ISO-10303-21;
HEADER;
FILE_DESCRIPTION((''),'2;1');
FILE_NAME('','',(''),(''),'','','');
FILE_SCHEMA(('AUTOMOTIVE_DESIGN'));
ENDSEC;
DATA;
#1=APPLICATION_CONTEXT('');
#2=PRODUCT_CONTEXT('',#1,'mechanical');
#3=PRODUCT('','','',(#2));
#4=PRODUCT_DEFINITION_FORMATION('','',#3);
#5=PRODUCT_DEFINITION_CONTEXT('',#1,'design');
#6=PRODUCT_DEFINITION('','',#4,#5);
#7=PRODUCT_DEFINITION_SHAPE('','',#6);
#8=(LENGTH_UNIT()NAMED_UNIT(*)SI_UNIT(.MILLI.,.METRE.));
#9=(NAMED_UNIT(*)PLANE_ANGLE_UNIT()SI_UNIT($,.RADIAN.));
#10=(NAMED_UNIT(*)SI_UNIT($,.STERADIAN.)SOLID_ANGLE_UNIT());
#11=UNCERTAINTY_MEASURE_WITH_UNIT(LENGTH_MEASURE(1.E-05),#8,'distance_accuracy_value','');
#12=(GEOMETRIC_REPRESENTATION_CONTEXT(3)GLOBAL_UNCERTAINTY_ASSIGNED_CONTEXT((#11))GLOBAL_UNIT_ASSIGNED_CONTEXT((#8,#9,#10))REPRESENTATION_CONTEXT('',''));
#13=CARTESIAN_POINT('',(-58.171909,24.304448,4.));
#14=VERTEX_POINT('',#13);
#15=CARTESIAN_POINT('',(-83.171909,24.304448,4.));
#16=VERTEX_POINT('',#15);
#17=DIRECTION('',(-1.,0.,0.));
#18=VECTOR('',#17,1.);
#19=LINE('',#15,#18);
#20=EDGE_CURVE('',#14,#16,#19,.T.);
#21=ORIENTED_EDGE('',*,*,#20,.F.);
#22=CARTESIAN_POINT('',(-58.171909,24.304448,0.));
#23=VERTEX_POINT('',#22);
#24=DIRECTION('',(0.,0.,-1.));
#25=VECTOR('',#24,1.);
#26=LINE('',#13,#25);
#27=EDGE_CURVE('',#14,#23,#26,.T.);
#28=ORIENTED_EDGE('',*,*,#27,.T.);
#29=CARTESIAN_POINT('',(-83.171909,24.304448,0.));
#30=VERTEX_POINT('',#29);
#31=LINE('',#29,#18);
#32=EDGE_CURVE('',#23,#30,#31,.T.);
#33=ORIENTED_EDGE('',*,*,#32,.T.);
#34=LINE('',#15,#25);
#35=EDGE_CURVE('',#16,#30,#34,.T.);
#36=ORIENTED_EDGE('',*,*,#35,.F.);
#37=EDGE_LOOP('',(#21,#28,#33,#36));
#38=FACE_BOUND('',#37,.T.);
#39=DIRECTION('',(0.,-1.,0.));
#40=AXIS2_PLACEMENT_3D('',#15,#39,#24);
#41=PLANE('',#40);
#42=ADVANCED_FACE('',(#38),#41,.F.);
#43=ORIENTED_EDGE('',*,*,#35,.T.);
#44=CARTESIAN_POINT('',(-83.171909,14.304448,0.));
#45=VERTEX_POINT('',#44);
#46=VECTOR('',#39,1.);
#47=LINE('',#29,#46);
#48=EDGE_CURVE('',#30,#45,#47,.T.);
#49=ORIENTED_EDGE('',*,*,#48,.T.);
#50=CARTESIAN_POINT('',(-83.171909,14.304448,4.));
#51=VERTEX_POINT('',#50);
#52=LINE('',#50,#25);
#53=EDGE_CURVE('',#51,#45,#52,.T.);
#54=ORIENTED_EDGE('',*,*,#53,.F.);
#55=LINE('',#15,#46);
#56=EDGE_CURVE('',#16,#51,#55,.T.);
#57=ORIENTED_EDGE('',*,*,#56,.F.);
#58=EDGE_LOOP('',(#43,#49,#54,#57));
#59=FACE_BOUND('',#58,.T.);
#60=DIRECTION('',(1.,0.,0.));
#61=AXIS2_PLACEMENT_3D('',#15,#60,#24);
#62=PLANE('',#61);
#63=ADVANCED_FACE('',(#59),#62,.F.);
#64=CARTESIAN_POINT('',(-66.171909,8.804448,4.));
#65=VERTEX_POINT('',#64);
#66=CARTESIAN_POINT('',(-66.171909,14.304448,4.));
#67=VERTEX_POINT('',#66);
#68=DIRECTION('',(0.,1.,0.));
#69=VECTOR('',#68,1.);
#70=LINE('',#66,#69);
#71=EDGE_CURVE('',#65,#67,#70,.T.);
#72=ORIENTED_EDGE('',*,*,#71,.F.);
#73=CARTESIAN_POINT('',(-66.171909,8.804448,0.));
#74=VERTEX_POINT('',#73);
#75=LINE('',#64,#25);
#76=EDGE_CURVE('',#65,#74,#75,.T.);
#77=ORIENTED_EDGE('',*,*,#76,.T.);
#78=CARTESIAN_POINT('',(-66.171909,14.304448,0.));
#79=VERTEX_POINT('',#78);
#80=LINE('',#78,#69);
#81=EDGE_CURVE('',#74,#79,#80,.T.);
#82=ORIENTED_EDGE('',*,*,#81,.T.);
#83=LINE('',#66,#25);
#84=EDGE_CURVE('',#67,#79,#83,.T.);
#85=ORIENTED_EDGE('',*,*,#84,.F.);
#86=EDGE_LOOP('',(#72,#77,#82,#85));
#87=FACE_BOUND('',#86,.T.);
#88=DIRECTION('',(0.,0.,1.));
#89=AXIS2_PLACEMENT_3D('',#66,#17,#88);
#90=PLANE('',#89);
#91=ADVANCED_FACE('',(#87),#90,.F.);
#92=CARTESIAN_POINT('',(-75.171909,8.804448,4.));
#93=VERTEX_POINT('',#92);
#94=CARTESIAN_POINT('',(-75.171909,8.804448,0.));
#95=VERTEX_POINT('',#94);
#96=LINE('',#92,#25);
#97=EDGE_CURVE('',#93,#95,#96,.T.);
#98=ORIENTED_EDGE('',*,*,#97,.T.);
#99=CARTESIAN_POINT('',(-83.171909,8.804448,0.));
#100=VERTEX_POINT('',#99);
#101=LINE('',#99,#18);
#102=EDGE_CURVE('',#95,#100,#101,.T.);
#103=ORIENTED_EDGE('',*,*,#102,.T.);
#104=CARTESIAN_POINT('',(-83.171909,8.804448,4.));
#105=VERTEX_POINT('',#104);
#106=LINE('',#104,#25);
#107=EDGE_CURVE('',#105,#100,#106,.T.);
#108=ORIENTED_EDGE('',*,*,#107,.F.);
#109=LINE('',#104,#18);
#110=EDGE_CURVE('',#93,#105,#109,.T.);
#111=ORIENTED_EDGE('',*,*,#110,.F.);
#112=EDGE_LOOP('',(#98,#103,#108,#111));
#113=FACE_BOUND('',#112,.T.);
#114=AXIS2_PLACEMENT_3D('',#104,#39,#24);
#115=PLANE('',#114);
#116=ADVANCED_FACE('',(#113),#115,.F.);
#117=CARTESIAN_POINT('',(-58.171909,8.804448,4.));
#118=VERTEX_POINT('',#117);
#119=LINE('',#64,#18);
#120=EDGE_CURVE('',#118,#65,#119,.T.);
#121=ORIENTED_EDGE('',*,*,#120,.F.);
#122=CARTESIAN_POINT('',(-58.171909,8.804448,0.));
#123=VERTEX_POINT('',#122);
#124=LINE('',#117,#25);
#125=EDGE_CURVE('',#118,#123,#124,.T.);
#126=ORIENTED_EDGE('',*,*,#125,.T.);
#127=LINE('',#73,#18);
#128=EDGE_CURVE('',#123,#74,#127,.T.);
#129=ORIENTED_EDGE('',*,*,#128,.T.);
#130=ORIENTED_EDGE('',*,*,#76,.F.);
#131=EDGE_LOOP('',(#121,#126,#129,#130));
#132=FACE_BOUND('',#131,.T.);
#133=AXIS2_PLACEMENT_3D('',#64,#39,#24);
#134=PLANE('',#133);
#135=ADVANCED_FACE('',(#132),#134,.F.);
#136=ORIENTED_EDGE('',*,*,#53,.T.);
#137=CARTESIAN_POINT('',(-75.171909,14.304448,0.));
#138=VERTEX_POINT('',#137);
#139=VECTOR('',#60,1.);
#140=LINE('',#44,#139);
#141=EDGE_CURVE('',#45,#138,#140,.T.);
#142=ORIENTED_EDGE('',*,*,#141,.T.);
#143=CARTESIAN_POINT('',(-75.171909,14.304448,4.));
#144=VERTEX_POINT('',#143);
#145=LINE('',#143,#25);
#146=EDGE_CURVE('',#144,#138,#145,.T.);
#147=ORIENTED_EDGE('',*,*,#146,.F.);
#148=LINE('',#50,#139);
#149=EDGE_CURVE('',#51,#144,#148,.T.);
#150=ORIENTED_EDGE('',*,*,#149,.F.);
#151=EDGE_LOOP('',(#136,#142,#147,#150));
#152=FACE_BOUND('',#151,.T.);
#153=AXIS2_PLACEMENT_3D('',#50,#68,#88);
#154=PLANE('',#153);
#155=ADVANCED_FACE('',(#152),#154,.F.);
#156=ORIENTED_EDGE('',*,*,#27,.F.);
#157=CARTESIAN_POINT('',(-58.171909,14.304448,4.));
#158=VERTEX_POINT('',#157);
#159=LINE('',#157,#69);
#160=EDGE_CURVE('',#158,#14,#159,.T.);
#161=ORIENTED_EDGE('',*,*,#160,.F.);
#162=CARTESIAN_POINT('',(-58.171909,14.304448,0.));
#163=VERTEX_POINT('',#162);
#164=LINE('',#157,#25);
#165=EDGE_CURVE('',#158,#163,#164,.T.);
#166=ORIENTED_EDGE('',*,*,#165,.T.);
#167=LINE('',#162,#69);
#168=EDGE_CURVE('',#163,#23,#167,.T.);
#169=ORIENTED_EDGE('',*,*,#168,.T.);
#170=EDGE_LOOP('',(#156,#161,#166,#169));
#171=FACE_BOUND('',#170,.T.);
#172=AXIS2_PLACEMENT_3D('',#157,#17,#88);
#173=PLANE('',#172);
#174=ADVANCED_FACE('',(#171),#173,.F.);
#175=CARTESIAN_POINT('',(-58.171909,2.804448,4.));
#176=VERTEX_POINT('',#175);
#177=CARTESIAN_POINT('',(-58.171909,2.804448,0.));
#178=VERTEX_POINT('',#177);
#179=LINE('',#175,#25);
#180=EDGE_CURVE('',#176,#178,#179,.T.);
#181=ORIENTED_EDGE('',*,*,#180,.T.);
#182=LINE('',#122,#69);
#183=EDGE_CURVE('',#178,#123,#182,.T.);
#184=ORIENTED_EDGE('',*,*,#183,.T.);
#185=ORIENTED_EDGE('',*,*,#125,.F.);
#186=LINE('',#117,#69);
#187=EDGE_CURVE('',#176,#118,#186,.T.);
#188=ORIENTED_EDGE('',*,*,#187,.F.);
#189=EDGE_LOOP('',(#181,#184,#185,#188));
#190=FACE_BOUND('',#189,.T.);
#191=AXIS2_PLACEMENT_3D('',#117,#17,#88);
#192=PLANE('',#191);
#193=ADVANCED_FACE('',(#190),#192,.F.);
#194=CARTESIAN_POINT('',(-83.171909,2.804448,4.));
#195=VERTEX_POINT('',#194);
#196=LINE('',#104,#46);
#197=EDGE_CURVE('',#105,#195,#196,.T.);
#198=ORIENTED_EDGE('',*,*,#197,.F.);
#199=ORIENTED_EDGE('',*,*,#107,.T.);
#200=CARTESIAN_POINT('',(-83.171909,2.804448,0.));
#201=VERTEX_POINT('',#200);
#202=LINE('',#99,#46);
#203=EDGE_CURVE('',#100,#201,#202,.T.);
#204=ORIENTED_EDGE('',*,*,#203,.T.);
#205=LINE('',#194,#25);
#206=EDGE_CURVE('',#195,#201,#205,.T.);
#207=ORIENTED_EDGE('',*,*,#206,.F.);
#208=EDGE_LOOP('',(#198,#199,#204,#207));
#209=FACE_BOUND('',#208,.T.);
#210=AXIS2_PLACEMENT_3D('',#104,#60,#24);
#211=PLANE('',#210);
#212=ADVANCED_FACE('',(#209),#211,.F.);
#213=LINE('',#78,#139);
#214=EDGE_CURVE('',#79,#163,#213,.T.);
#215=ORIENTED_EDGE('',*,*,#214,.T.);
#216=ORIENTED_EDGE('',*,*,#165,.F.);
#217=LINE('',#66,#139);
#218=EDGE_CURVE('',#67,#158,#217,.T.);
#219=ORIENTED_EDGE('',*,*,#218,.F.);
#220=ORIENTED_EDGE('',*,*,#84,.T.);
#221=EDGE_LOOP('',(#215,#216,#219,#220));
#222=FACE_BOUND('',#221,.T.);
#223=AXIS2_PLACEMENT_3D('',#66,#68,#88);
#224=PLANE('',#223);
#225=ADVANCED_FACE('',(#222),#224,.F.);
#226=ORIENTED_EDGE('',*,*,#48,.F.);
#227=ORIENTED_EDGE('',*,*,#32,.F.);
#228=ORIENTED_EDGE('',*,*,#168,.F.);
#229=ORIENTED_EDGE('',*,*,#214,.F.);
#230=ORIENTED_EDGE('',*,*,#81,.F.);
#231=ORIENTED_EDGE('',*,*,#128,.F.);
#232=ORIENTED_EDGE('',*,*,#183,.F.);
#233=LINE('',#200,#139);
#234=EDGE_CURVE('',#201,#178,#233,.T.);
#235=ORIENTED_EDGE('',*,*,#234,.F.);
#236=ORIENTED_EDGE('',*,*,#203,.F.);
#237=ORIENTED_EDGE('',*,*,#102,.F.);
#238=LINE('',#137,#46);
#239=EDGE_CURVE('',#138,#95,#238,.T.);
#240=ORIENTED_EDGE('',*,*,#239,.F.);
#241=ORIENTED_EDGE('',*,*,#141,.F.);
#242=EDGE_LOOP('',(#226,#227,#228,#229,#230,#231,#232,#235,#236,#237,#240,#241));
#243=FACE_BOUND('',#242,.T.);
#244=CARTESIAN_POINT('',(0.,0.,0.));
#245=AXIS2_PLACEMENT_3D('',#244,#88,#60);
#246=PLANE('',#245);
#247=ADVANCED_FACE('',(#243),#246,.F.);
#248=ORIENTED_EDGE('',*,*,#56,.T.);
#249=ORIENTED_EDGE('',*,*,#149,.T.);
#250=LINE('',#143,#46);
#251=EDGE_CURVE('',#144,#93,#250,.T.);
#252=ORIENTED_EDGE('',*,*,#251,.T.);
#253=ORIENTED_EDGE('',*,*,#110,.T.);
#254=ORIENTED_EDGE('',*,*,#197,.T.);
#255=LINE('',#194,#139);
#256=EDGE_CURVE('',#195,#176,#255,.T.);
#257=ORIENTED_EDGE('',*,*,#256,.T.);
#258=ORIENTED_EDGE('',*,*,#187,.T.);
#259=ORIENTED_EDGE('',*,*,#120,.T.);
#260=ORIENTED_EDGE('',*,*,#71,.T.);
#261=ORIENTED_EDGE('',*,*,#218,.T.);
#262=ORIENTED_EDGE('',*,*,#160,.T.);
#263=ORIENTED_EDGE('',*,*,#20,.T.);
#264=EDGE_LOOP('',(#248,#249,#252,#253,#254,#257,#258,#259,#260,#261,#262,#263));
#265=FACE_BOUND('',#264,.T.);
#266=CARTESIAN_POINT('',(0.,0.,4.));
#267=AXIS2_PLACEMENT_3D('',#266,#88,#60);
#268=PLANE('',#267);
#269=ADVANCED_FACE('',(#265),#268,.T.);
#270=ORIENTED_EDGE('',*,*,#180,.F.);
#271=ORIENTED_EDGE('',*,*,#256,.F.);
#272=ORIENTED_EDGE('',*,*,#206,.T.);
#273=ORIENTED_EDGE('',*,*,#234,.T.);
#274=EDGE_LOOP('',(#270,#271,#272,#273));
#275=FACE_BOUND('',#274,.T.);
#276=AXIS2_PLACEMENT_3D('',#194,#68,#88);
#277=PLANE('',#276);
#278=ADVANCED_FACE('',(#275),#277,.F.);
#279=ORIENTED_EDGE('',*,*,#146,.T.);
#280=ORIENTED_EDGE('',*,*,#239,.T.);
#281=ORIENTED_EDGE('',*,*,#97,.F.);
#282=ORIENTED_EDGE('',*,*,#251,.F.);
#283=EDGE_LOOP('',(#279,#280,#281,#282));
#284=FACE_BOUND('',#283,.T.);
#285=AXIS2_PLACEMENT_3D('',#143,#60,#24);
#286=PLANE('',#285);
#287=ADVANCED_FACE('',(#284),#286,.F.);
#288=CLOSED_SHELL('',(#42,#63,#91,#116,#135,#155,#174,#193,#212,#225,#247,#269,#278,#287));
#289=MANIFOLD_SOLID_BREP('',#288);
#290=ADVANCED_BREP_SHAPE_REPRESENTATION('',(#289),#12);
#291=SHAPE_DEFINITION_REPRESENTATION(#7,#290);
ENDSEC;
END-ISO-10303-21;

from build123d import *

# Parameters (mm, degrees)
BOSS_EXTRUDE1_DEPTH = 4


with BuildPart() as part:
    # Sketch1 → Boss-Extrude1 (new body)
    with BuildSketch(Plane.XY):
        Polygon((-83.171908981, 24.304447885), (-58.171908981, 24.304447885), (-58.171908981, 14.304447885), (-66.171908981, 14.304447885), (-66.171908981, 8.804447885), (-58.171908981, 8.804447885), (-58.171908981, 2.804447885), (-83.171908981, 2.804447885), (-83.171908981, 8.804447885), (-75.171908981, 8.804447885), (-75.171908981, 14.304447885), (-83.171908981, 14.304447885), align=None)
    extrude(amount=BOSS_EXTRUDE1_DEPTH)


solid = part.part
